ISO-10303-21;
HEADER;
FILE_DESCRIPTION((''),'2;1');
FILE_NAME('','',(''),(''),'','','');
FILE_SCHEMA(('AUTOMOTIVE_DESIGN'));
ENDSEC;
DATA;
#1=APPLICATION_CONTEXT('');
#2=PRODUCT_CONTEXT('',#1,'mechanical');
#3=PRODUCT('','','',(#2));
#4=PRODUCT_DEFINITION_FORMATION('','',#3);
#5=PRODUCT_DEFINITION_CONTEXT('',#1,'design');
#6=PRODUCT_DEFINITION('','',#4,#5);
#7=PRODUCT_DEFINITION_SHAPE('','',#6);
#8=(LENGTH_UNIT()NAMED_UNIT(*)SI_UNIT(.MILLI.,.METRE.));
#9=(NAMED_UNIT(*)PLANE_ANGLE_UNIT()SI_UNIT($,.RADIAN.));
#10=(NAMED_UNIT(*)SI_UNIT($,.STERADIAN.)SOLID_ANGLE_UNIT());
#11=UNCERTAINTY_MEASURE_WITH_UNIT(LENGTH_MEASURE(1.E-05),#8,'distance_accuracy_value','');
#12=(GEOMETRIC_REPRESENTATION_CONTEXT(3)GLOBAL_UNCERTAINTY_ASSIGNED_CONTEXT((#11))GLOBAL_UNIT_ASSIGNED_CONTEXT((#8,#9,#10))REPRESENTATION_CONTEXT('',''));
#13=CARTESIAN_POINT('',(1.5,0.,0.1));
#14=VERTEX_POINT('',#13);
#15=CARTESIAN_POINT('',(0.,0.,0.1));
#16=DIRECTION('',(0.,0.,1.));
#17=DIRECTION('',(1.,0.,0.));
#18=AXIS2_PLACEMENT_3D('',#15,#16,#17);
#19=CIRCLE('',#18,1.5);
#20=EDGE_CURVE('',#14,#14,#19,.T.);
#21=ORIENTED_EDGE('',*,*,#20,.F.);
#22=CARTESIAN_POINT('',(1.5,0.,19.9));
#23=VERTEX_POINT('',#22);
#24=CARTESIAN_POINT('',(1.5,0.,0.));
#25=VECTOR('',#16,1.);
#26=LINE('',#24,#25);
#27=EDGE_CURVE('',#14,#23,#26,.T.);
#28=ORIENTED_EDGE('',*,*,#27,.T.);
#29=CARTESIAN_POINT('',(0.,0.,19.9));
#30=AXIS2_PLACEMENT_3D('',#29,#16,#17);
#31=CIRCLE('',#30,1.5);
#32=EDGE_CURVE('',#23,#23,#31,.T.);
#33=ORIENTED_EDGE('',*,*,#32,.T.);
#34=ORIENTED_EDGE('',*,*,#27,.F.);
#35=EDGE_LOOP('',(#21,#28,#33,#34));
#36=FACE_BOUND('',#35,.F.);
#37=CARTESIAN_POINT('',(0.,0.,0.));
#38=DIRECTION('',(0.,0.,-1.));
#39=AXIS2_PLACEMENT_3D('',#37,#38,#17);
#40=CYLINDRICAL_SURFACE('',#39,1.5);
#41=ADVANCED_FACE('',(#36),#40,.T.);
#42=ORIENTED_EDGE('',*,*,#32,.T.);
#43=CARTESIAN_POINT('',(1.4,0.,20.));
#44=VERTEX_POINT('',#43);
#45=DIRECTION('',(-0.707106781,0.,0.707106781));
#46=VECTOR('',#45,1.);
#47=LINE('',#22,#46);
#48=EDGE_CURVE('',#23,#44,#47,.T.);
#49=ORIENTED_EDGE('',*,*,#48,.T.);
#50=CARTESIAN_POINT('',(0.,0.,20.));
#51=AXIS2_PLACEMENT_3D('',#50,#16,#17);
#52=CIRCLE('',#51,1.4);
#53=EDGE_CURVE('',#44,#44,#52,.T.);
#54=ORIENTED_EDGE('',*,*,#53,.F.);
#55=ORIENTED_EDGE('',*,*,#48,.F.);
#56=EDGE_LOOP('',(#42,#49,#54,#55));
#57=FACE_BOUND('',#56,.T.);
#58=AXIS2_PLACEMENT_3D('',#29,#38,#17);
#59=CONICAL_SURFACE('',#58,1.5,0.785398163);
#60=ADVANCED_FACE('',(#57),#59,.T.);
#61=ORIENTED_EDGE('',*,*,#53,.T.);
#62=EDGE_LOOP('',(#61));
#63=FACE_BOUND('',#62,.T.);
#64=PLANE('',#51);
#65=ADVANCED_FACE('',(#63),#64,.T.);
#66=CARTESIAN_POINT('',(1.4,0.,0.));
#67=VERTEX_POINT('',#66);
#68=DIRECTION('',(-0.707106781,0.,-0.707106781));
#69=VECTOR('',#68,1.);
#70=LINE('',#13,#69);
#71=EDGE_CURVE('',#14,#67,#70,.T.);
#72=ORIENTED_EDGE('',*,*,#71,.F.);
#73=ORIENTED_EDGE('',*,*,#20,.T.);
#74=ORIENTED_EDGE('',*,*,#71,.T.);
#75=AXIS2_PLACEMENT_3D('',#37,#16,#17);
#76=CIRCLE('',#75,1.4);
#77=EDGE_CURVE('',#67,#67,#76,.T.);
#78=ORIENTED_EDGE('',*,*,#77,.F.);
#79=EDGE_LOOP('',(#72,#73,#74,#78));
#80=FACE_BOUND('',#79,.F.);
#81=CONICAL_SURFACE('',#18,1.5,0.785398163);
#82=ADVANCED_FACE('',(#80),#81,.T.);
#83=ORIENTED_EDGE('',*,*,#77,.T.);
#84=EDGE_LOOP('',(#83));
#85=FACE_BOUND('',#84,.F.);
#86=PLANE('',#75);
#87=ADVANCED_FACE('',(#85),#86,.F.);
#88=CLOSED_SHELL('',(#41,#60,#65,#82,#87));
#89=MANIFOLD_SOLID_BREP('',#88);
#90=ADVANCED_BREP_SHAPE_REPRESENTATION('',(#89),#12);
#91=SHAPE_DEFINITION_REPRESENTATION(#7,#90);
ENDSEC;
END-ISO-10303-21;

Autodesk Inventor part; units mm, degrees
ref_plane "YZ Plane" through (0, 0, 0) normal (1, 0, 0) x (0, 1, 0)
ref_plane "XZ Plane" through (0, 0, 0) normal (0, 1, 0) x (-1, 0, 0)
ref_plane "XY Plane" through (0, 0, 0) normal (0, 0, 1) x (1, 0, 0)
sketch "Эскиз1" plane through (0, 0, 0) normal (0, 0, 1) x (1, 0, 0)
  circle A0 centre (0, 0) radius 1.5
  dimension "d0" = 3
extrude "Выдавливание1" add sketch "Эскиз1" along normal blind 20
chamfer "Фаска1" distance 0.1 angle 45 2 edges at (-1.5, 0, 20) (-1.5, 0, 0)
properties part number "шток шестерни"
